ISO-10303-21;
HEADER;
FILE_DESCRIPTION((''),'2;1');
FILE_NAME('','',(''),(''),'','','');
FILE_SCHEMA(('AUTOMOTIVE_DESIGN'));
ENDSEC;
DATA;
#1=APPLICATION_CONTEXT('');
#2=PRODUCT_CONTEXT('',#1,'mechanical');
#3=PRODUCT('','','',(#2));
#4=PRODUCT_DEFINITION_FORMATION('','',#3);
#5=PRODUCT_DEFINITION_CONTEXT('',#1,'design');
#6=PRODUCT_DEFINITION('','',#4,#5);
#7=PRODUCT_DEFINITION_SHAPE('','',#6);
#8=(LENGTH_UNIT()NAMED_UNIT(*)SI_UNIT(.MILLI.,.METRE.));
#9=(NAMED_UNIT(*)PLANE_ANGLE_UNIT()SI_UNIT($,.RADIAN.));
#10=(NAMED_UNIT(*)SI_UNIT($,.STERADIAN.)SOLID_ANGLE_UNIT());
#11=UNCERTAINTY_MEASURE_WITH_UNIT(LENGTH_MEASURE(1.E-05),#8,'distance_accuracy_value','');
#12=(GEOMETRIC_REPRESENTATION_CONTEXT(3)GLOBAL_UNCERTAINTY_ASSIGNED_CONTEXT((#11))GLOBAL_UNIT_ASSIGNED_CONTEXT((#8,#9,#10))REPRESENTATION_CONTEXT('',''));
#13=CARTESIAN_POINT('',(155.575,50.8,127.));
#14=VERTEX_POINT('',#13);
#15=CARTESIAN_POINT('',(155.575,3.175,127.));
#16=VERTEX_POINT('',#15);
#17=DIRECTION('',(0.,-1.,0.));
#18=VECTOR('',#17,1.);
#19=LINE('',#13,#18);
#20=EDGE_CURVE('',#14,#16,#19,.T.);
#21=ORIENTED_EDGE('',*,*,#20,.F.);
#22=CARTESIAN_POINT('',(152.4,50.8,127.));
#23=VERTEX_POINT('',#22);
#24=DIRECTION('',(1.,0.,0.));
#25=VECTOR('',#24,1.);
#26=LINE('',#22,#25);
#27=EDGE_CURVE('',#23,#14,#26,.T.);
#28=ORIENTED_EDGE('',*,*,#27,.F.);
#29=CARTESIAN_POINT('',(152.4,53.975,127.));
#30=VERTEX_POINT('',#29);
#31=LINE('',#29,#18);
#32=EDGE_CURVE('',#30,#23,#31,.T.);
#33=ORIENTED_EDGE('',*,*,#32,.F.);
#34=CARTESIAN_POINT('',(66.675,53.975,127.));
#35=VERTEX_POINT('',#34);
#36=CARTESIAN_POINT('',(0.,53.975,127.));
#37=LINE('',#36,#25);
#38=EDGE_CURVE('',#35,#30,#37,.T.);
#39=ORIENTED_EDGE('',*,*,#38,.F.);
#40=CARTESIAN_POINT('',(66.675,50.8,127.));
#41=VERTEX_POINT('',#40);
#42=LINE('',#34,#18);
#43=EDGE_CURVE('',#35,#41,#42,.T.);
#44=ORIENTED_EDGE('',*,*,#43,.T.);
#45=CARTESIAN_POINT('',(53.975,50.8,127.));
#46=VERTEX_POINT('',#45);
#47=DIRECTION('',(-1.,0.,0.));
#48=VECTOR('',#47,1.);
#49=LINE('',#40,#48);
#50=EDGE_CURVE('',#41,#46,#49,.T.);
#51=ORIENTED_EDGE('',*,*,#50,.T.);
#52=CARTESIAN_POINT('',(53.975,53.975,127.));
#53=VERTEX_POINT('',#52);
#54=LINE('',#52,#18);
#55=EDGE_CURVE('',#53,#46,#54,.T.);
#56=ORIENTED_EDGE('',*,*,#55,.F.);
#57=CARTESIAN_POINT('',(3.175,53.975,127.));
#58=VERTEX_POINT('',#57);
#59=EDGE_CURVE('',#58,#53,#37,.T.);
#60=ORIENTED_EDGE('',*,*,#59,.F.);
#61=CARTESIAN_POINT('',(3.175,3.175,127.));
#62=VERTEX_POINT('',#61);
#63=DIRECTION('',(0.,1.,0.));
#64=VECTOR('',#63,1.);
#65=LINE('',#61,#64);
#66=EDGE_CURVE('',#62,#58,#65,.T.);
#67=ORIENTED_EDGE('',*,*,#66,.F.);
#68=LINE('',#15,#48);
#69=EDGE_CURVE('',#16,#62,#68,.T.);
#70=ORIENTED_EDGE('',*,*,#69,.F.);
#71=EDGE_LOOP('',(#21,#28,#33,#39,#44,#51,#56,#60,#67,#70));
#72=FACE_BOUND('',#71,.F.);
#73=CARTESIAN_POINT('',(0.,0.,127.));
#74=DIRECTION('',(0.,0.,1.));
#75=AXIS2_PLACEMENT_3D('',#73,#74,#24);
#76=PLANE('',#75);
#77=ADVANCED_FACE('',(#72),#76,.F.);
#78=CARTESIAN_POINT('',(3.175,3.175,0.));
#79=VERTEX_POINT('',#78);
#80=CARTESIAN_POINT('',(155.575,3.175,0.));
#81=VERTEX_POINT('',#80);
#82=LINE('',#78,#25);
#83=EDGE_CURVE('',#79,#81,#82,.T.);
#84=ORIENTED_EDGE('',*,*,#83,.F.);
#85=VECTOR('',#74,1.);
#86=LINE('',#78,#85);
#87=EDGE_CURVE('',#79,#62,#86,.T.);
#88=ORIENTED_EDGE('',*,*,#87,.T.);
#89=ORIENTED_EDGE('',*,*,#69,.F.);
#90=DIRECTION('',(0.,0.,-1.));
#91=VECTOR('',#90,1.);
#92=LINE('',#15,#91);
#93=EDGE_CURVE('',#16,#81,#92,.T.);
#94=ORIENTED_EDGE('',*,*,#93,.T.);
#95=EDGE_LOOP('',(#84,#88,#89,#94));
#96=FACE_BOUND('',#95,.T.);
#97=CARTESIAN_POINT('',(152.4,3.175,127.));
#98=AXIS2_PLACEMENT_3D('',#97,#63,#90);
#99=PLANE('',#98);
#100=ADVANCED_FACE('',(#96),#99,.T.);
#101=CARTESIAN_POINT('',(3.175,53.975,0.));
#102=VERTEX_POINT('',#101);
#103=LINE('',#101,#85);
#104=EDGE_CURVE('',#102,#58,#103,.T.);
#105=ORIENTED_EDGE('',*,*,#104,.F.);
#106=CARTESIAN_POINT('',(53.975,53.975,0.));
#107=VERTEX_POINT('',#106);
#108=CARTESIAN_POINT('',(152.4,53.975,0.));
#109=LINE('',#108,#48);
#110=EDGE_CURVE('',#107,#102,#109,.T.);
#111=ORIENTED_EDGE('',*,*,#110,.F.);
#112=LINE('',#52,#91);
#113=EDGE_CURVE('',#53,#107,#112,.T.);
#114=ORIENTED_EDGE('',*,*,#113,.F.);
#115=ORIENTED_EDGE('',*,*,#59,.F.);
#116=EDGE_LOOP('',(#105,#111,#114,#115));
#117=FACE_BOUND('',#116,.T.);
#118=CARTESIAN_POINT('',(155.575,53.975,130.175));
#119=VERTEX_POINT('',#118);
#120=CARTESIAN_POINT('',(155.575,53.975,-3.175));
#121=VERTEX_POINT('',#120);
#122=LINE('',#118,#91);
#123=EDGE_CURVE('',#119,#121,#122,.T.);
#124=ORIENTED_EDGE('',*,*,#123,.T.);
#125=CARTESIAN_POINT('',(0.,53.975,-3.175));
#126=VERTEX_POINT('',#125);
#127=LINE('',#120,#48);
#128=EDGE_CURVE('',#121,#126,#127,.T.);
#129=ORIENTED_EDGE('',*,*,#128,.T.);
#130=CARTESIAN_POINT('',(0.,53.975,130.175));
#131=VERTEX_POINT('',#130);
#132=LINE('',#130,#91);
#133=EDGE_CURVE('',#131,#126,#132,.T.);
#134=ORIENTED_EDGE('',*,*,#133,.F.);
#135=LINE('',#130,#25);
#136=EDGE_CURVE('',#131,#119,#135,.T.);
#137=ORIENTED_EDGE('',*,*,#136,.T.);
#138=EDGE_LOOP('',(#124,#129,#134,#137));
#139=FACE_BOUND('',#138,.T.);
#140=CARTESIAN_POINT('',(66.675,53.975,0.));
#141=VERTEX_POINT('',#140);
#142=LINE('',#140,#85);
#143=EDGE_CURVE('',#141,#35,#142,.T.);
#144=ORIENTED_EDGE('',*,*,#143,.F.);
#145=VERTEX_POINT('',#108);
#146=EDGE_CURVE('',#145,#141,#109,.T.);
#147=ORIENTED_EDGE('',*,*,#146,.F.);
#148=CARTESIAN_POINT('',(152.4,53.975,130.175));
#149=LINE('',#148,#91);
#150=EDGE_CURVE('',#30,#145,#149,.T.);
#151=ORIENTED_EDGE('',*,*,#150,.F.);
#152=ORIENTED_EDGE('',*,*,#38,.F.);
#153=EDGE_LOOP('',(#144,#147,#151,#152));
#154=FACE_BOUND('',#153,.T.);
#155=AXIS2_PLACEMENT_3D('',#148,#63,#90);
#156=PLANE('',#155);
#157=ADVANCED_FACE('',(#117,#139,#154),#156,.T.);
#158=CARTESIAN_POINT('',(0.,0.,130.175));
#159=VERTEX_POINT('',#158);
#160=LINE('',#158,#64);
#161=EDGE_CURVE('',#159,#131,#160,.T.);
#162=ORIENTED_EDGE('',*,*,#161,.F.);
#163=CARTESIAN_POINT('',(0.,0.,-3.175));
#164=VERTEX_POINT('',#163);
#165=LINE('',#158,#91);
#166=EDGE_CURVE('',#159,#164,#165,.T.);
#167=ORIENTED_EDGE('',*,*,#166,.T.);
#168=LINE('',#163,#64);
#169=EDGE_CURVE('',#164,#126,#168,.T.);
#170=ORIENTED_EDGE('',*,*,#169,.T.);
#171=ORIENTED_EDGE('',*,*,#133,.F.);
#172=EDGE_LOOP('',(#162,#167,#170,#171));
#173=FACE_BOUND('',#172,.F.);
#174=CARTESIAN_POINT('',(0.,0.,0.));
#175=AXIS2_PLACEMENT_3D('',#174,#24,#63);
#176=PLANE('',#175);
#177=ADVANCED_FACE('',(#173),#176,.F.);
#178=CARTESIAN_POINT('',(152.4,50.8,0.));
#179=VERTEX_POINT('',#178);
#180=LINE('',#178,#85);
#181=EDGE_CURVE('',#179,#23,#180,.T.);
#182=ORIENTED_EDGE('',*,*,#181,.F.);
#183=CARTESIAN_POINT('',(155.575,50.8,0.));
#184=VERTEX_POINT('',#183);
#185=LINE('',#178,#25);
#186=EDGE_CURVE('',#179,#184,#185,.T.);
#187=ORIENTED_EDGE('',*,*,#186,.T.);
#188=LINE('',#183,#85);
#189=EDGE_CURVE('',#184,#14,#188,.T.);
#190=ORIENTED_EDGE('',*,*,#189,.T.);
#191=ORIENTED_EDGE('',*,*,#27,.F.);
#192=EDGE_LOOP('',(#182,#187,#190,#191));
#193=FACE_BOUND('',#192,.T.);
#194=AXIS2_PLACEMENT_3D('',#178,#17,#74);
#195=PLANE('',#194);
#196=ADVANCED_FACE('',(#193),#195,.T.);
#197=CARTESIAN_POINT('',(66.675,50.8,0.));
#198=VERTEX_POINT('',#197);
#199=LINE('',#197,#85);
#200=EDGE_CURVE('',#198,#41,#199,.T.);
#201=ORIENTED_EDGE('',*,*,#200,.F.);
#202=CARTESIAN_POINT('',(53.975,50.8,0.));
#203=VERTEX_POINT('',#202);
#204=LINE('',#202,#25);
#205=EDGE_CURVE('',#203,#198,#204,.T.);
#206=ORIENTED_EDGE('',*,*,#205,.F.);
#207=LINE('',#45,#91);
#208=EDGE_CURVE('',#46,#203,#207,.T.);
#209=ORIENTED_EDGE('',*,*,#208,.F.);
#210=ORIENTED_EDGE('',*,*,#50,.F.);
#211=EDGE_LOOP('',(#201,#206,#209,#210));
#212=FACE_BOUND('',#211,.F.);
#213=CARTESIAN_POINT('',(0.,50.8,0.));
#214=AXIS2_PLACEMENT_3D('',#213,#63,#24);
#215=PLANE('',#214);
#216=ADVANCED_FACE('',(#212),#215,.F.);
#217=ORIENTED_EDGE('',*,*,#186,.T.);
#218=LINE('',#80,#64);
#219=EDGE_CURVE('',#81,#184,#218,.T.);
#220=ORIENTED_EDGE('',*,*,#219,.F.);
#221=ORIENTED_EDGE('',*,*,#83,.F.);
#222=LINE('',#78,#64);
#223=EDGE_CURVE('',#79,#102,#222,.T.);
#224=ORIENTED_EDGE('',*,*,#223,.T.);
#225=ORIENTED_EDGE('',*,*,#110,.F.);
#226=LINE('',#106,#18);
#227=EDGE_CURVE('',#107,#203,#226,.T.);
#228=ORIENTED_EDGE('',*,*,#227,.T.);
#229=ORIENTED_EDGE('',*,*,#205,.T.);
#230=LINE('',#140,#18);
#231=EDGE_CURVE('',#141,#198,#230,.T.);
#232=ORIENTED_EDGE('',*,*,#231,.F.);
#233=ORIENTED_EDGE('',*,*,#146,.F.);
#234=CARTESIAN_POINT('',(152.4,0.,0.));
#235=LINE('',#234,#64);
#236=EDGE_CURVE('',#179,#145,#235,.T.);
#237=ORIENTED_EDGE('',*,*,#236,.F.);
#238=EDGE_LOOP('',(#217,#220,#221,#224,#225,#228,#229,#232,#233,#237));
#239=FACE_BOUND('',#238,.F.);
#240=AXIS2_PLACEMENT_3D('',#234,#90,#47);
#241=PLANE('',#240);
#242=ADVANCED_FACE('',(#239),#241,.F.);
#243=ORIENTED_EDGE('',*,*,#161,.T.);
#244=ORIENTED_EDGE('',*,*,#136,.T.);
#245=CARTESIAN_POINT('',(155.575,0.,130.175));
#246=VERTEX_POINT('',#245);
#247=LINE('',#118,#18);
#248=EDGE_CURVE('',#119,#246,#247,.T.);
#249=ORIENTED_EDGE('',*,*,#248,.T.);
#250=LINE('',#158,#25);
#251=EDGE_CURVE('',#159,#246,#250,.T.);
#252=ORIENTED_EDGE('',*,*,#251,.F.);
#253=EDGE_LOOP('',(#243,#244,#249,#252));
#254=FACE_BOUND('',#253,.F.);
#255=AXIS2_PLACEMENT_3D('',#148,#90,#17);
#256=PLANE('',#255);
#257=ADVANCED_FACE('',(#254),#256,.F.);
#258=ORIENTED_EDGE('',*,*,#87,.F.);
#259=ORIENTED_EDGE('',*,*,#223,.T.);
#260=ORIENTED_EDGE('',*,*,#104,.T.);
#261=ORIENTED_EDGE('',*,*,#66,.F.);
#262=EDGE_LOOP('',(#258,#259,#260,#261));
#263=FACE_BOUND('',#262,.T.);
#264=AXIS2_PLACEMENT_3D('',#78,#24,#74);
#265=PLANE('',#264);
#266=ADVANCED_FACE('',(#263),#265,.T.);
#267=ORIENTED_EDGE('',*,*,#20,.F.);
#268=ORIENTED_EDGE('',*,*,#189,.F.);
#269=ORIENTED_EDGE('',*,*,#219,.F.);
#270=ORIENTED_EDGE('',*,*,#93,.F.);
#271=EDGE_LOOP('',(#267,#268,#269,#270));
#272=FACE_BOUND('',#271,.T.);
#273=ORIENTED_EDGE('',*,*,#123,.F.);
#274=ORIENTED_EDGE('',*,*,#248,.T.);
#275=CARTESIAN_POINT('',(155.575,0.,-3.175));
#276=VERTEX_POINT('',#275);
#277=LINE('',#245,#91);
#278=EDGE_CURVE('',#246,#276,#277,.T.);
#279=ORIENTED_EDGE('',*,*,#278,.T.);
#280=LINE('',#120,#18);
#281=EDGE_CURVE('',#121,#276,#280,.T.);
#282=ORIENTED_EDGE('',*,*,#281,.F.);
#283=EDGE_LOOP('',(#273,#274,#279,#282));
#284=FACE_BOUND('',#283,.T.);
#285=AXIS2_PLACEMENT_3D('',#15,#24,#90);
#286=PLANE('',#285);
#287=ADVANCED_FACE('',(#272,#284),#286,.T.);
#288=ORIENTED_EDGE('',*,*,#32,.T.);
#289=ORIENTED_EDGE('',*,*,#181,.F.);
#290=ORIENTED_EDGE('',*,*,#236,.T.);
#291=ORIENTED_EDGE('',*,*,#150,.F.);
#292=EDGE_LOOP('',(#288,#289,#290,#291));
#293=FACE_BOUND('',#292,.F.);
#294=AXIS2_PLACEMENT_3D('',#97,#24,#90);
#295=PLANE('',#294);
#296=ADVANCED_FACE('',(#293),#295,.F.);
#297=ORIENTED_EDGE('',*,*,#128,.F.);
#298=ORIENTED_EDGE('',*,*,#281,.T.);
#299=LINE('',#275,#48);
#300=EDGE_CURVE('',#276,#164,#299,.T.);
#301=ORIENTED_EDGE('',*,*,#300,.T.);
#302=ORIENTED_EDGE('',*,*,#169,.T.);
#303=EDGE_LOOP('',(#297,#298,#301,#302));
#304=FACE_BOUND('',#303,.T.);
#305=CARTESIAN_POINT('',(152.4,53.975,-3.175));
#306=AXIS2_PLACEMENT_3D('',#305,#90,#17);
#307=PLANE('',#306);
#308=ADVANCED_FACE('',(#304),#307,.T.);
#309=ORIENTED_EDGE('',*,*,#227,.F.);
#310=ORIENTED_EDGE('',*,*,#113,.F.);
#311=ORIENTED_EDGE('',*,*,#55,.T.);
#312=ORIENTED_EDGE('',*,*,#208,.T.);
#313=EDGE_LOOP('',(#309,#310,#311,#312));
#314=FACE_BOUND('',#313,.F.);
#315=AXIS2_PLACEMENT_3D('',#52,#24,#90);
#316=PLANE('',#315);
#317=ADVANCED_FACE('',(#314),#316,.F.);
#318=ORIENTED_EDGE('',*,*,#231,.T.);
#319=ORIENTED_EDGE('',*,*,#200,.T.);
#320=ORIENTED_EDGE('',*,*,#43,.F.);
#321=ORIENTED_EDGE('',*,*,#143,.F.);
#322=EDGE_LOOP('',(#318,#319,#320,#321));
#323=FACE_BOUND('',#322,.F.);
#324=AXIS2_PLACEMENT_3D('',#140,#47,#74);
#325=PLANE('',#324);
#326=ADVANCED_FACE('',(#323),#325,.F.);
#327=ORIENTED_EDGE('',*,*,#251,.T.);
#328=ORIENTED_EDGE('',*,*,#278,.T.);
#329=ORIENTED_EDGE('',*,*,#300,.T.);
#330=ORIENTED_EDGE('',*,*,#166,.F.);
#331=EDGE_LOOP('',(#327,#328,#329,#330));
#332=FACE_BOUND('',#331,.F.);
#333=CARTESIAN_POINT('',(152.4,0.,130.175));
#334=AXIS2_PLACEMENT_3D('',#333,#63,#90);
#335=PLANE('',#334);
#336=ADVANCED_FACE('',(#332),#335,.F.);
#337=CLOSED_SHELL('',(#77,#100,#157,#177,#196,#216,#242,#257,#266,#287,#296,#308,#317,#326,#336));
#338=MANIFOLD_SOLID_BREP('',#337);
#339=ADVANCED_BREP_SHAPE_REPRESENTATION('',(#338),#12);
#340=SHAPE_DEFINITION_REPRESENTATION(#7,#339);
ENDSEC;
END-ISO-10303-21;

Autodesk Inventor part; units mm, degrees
ref_plane "YZ Plane" through (0, 0, 0) normal (1, 0, 0) x (0, 1, 0)
ref_plane "XZ Plane" through (0, 0, 0) normal (0, 1, 0) x (-1, 0, 0)
ref_plane "XY Plane" through (0, 0, 0) normal (0, 0, 1) x (1, 0, 0)
sketch "Sketch1" plane through (0, 0, 0) normal (0, 1, 0) x (-1, 0, 0)
  line L0 (0, 0) -> (-152.4, 0)
  line L1 (-152.4, 0) -> (-152.4, 127)
  line L2 (-152.4, 127) -> (0, 127)
  line L3 (0, 127) -> (0, 0)
  dimension "d0" = 152.4
  dimension "d1" = 127
extrude "Extrusion1" add sketch "Sketch1" along normal blind 3.175
sketch "Sketch2" plane through (0, 3.175, 0) normal (0, 1, 0) x (1, 0, 0)
  line L0 (152.4, 0) -> (0, 0) projected
  line L1 (0, 0) -> (3.175, 0)
  line L2 (3.175, 0) -> (3.175, -127)
  line L3 (3.175, -127) -> (0, -127)
  line L4 (0, -127) -> (0, 0)
  dimension "d4" = 3.175
  dimension "d5" = 127
extrude "Extrusion2" add sketch "Sketch2" along normal blind 50.8
sketch "Sketch3" plane through (0, 0, 127) normal (0, 0, 1) x (1, 0, 0)
  line L0 (0, 0) -> (0, 53.975) projected
  line L1 (152.4, 0) -> (152.4, 3.175) projected
  line L2 (0, 53.975) -> (152.4, 53.975)
  line L3 (152.4, 53.975) -> (152.4, 0)
  line L4 (152.4, 0) -> (0, 0)
  line L5 (0, 0) -> (0, 53.975)
extrude "Extrusion3" add sketch "Sketch3" along normal blind 3.175
sketch "Sketch4" plane through (152.4, 0, 0) normal (0, 0, -1) x (-1, 0, 0)
  line L0 (152.4, 0) -> (152.4, 53.975) projected
  line L1 (152.4, 0) -> (0, 0)
  line L2 (0, 0) -> (0, 53.975)
  line L3 (0, 53.975) -> (152.4, 53.975)
  line L4 (152.4, 53.975) -> (152.4, 0)
extrude "Extrusion4" add sketch "Sketch4" along normal blind 3.175
sketch "Sketch5" plane through (152.4, 3.175, 127) normal (1, 0, 0) x (0, 0, -1)
  line L0 (-3.175, 50.8) -> (-3.175, -3.175) projected
  line L1 (-3.175, -3.175) -> (130.175, -3.175) projected
  line L2 (-3.175, 50.8) -> (130.175, 50.8)
  line L3 (130.175, 50.8) -> (130.175, -3.175)
  line L4 (130.175, -3.175) -> (-3.175, -3.175)
  line L5 (-3.175, -3.175) -> (-3.175, 50.8)
  line L6 (127, 47.625) -> (0, 47.625)
  line L7 (0, 47.625) -> (0, 0)
  line L8 (0, 0) -> (127, 0)
  line L9 (127, 0) -> (127, 47.625)
  point P0 (127, -3.175)
  dimension "d12" = 3.175
extrude "Extrusion5" add sketch "Sketch5" along normal blind 3.175
sketch "Sketch6" plane through (0, 53.975, 0) normal (0, 1, 0) x (1, 0, 0)
  line L0 (152.4, -127) -> (152.4, 0) construction
  line L1 (152.4, 0) -> (101.6, 0) construction
  line L2 (101.6, 0) -> (88.9, 0) construction
  line L3 (88.9, -127) -> (101.6, -127) construction
  line L4 (3.175, 0) -> (15.875, 0) construction
  line L5 (3.175, -127) -> (3.175, 0) construction
  line L6 (3.175, 0) -> (53.975, 0) construction
  line L7 (3.175, 0) -> (53.975, 0) construction
  line L8 (53.975, 0) -> (66.675, 0)
  line L9 (66.675, 0) -> (66.675, -127)
  line L10 (66.675, -127) -> (53.975, -127)
  line L11 (53.975, -127) -> (53.975, 0)
  point P0 (0, 0)
  dimension "d16" = 12.7
  dimension "d20" = 50.8
  dimension "d21" = 0
  dimension "d22" = 12.7
  dimension "d23" = 127
extrude "Extrusion6" add sketch "Sketch6" against normal blind 3.175
properties part number "ShootingMech_Housing2"
